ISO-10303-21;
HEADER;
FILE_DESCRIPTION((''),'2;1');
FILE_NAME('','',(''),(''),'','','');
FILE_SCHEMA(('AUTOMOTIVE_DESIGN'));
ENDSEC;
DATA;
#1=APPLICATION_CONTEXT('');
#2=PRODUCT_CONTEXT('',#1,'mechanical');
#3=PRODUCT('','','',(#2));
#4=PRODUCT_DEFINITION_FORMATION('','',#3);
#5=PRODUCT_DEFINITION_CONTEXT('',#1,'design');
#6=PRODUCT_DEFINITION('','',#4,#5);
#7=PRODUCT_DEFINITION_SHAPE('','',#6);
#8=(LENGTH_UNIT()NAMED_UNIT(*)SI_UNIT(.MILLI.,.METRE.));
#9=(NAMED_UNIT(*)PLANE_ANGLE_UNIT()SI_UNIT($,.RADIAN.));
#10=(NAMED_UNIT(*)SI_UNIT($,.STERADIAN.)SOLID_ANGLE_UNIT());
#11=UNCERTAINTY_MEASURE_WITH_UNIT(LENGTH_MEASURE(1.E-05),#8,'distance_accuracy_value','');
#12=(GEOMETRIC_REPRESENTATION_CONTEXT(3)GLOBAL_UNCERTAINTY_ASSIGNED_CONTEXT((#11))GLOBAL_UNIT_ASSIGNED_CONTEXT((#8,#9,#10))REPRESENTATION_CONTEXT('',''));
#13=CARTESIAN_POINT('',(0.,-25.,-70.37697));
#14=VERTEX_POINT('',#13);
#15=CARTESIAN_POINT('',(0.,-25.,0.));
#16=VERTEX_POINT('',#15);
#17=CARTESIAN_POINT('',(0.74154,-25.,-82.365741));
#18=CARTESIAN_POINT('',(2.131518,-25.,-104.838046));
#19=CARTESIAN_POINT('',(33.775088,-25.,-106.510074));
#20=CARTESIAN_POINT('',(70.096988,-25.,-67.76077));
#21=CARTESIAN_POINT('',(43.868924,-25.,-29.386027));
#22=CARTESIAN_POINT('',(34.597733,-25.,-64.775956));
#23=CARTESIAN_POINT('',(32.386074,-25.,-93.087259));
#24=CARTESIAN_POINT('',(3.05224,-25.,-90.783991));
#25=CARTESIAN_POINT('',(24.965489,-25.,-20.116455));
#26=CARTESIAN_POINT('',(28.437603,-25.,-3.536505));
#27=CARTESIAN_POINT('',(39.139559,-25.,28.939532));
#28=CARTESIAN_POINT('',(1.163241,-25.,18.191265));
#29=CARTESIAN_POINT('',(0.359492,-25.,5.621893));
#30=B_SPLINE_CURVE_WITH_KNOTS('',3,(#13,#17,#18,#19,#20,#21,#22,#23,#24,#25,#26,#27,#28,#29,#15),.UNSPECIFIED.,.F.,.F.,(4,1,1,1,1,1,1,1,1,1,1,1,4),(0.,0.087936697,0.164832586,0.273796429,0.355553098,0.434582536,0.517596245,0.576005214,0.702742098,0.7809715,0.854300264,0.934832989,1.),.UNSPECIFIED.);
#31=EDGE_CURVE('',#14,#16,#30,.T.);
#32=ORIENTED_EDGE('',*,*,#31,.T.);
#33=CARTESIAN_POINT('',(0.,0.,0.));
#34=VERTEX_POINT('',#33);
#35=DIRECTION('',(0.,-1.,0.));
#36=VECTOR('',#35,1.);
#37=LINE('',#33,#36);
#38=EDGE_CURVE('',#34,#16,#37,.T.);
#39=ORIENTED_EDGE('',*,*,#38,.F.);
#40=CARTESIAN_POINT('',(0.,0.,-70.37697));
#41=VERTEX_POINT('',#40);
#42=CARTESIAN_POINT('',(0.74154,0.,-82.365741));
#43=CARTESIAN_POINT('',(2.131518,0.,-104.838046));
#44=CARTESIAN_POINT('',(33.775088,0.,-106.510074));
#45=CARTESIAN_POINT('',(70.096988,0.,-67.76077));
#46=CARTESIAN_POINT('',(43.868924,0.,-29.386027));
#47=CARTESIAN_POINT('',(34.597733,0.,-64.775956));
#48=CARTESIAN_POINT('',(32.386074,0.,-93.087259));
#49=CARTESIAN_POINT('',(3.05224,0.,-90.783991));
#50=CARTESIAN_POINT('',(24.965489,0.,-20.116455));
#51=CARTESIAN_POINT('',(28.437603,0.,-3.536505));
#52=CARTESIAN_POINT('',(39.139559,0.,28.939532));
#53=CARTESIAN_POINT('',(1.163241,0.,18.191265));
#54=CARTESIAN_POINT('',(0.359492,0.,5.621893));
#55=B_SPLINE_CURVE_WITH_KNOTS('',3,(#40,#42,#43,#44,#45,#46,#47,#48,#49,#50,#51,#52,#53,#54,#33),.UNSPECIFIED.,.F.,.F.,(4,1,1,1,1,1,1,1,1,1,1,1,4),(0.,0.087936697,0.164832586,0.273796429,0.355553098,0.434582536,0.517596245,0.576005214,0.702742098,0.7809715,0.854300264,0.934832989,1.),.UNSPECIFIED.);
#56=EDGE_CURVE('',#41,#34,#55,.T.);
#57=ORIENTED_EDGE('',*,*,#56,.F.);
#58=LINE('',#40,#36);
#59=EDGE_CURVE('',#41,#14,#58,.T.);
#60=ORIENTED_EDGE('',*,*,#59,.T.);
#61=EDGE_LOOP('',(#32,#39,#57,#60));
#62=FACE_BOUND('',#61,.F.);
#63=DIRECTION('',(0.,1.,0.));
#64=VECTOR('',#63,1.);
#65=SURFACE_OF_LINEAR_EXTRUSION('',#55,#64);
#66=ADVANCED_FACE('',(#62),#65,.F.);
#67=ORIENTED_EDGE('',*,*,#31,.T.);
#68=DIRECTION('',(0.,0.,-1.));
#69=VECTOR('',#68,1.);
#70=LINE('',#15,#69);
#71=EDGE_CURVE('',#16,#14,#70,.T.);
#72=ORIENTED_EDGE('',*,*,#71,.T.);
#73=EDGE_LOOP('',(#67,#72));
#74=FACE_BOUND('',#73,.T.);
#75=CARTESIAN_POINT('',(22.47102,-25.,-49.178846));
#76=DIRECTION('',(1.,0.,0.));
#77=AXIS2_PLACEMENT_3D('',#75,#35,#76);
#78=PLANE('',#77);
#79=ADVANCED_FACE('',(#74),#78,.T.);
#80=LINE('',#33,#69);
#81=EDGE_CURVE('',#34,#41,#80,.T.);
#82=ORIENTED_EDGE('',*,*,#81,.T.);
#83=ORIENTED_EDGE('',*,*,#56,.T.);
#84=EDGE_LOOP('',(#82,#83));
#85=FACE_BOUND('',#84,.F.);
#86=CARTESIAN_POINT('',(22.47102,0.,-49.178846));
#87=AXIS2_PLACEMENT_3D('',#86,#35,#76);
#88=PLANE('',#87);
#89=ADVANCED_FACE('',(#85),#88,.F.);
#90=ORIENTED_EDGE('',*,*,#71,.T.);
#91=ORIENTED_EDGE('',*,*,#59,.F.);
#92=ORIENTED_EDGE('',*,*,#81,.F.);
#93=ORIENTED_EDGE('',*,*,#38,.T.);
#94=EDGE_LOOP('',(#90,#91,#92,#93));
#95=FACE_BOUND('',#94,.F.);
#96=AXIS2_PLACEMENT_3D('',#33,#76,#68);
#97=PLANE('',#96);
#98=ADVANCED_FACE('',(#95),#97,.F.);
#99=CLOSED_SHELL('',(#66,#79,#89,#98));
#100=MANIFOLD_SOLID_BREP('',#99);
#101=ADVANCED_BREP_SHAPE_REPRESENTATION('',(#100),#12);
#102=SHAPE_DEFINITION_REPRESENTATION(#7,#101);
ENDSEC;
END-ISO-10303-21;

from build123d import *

# Parameters (mm, degrees)
F1_DEPTH = 25


with BuildPart() as f1:
    # F0 (on Front) → F1 (new body)
    with BuildSketch(Plane.XZ):
        with BuildLine():
            add(Edge.make_bspline(
                [(0, -70.3769698739), (0.7415403363, -82.3657412884), (2.1315176296, -104.8380455228), (33.7750878883, -106.5100740044), (70.0969880909, -67.7607699434), (43.8689239195, -29.386027389), (34.5977330552, -64.7759560402), (32.3860743014, -93.0872585614), (3.0522395281, -90.7839905082), (24.9654891473, -20.1164553706), (28.4376031519, -3.5365046179), (39.1395590807, 28.9395315441), (1.1632407557, 18.1912653903), (0.3594920685, 5.6218934835), (0, 0)],
                knots=[0, 0, 0, 0, 0.0879366966, 0.1648325863, 0.2737964286, 0.3555530976, 0.4345825361, 0.5175962448, 0.5760052139, 0.7027420977, 0.7809714997, 0.8543002643, 0.9348329892, 1, 1, 1, 1], degree=3))
            Line((0, 0), (0, -70.3769698739))
        make_face()
    extrude(amount=F1_DEPTH)


solid = f1.part
